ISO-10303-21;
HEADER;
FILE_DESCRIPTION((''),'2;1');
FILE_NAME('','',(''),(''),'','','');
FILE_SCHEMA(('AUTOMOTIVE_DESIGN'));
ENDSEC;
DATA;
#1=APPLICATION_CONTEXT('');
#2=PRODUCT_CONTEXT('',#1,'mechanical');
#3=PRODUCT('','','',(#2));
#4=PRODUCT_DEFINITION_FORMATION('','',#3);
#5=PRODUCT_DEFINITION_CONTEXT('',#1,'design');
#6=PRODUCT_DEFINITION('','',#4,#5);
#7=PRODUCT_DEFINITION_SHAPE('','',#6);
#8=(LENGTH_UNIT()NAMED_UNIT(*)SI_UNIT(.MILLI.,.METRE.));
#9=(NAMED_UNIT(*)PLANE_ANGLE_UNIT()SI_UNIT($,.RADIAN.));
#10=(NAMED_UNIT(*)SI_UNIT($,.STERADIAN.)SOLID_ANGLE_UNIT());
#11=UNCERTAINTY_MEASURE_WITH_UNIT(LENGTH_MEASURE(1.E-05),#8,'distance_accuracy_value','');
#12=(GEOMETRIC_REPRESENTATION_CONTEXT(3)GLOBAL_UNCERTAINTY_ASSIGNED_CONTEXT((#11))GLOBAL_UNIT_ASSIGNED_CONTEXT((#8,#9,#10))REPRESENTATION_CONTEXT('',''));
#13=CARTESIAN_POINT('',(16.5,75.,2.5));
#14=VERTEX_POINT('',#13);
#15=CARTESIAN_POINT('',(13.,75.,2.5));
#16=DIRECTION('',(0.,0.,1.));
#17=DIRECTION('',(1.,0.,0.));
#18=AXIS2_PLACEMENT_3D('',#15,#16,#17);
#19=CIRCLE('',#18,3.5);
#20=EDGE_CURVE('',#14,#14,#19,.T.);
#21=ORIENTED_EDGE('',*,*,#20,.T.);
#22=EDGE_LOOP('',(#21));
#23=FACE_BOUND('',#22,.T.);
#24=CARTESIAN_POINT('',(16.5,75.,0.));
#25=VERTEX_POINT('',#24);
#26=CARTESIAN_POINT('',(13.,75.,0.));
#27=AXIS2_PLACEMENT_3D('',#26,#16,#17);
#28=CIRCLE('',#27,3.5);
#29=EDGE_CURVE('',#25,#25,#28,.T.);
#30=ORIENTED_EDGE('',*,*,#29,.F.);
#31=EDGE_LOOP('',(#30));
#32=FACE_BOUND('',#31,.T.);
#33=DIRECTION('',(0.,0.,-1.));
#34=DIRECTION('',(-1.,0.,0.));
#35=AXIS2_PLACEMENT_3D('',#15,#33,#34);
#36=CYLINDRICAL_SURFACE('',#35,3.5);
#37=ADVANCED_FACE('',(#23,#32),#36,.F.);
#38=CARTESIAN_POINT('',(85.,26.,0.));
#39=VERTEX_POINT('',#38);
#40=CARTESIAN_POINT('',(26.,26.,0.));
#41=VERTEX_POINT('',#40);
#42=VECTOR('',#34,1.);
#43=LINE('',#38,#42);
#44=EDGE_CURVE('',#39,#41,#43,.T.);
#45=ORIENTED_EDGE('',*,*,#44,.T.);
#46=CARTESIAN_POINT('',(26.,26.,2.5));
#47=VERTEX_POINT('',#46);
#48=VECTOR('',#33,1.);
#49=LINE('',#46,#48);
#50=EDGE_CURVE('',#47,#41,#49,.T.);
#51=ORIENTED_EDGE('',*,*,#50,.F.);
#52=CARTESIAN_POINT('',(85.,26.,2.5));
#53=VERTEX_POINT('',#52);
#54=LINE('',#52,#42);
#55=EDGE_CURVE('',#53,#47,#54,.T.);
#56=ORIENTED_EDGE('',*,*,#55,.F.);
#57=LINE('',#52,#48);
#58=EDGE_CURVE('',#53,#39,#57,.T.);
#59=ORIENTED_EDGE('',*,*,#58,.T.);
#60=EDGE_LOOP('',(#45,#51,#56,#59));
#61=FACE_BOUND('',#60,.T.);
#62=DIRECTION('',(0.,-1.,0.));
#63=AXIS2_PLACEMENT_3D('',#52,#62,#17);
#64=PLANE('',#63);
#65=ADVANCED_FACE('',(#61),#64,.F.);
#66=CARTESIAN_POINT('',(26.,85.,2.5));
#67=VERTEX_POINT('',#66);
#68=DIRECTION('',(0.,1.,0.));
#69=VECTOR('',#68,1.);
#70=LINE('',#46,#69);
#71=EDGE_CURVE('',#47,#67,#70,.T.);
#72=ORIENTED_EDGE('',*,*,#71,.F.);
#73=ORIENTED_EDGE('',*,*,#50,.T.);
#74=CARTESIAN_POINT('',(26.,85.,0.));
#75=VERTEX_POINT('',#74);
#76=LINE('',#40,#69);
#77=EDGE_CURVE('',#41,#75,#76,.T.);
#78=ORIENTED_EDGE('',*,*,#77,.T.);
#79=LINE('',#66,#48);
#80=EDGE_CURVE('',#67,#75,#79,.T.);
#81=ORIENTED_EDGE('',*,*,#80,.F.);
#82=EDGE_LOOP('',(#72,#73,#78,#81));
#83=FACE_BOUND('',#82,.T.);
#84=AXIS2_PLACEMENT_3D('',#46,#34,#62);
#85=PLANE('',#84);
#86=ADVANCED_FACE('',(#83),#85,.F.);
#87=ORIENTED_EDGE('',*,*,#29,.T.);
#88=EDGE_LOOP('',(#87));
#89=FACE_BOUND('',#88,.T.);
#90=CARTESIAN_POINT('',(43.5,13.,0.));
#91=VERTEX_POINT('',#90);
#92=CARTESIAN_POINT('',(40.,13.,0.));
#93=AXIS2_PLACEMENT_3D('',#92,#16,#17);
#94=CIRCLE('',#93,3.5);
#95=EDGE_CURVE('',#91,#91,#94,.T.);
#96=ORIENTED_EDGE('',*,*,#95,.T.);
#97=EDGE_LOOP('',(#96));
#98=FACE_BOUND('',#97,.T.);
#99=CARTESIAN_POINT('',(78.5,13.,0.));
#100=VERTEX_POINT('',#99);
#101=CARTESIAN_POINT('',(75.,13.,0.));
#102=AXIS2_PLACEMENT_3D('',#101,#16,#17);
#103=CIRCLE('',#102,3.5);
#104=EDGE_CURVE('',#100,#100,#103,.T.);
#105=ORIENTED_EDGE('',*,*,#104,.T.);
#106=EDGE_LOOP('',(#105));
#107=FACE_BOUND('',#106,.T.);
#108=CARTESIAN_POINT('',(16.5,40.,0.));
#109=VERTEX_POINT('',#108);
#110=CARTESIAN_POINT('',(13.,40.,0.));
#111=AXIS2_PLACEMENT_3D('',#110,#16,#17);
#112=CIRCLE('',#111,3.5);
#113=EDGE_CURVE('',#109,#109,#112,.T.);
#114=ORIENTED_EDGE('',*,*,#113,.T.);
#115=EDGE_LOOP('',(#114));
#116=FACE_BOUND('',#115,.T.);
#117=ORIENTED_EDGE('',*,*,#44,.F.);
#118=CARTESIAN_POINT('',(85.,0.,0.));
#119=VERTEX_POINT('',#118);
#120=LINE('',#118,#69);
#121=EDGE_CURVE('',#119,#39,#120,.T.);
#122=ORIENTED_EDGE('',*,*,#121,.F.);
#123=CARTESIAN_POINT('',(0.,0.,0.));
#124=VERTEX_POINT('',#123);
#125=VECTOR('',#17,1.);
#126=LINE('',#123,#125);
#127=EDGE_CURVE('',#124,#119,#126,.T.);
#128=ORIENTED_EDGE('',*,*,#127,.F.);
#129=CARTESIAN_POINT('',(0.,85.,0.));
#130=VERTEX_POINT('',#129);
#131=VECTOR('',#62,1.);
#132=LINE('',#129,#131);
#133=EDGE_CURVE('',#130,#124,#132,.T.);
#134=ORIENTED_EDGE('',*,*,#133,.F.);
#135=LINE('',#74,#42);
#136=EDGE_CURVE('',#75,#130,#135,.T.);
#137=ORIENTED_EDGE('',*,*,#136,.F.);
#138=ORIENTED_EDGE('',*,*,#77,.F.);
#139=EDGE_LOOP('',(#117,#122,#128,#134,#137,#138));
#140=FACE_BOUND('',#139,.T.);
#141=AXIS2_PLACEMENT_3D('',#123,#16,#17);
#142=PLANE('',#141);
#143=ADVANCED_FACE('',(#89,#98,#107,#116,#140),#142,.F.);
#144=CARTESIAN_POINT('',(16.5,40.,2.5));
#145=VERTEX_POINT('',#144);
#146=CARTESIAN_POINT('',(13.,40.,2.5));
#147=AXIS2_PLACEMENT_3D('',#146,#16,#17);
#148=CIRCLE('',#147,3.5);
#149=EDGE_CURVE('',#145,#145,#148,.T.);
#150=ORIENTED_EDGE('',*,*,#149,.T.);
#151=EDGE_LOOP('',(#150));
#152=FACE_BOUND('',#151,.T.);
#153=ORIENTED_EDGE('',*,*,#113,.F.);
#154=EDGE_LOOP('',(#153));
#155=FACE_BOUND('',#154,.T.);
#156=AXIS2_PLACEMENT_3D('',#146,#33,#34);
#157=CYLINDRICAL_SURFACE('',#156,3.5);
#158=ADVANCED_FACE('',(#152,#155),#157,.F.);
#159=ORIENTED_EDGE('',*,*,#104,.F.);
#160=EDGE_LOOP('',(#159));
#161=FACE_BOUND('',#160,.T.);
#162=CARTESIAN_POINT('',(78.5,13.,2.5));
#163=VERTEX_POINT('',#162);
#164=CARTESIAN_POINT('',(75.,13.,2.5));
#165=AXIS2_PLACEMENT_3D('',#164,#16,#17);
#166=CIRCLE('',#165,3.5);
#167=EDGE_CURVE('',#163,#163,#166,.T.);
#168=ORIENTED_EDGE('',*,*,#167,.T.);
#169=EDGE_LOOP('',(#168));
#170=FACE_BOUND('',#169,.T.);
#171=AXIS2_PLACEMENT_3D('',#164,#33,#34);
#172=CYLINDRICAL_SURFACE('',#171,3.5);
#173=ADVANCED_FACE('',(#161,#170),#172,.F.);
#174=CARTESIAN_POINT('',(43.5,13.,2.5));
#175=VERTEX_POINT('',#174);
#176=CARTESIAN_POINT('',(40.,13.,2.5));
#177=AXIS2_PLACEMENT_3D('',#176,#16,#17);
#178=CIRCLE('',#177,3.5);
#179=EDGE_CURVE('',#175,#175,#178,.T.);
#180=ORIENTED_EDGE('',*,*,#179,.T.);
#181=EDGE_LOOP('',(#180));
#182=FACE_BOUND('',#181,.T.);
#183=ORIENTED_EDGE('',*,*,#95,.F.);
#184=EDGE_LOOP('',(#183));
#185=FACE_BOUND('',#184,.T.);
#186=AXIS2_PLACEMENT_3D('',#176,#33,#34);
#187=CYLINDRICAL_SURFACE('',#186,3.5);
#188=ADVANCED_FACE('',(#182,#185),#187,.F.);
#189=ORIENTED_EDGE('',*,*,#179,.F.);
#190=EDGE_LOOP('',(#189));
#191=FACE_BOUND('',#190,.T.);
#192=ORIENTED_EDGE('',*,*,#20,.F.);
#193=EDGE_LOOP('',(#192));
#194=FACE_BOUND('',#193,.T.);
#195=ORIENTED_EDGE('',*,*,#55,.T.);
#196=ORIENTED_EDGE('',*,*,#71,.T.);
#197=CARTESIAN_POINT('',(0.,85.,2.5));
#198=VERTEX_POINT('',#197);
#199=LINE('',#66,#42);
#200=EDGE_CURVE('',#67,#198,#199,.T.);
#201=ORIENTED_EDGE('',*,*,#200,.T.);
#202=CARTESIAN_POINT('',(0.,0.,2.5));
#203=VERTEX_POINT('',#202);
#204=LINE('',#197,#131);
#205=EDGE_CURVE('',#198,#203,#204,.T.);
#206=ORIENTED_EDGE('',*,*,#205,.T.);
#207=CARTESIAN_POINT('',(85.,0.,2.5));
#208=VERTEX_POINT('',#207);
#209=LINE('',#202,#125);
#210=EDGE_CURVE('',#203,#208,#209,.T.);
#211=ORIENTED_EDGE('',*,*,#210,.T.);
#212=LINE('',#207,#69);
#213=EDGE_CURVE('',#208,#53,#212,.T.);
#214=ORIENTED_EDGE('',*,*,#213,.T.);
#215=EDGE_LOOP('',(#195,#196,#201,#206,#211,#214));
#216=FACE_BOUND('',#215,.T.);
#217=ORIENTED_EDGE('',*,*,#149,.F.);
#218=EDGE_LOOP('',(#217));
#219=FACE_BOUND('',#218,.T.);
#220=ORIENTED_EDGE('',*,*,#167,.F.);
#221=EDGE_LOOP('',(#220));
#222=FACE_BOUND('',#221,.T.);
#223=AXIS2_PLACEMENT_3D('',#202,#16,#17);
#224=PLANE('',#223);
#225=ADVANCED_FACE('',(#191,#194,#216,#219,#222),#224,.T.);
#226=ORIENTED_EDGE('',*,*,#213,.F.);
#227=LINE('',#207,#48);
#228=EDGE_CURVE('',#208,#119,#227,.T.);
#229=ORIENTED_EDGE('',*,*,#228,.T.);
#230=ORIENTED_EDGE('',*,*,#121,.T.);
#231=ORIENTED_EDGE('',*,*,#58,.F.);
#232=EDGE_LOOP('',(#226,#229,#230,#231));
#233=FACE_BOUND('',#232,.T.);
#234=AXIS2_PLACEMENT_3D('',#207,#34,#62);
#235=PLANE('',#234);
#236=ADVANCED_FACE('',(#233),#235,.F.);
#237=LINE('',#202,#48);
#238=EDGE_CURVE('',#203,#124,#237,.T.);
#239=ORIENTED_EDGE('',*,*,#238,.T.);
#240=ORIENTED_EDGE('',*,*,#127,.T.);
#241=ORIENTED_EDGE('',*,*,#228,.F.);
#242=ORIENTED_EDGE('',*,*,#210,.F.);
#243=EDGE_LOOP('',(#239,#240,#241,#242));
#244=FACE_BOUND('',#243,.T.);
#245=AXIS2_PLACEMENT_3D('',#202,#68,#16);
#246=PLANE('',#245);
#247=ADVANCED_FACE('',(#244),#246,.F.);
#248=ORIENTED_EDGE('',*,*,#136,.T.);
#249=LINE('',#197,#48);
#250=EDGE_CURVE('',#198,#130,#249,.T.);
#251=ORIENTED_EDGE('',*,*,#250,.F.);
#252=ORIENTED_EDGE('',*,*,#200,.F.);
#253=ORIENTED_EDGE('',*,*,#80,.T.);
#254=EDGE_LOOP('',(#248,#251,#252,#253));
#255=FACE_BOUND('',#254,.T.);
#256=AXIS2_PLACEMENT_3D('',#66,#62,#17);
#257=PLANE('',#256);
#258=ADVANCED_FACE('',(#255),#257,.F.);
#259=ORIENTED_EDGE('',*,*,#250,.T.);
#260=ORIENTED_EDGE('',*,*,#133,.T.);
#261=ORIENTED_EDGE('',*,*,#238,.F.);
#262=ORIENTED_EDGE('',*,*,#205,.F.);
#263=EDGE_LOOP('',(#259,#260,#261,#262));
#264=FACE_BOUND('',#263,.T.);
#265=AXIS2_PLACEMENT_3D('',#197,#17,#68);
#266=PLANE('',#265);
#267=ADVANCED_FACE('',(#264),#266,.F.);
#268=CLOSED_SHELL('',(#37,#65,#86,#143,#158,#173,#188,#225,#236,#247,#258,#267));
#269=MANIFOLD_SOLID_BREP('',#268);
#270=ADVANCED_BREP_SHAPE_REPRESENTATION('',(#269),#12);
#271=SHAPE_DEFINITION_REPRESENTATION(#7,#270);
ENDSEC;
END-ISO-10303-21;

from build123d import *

# Parameters (mm, degrees)
SKETCH_1_R      = 3.5
EXTRUDE_1_DEPTH = 2.5


with BuildPart() as part:
    # Эскиз1 → Бобышка-Вытянуть1 (new body)
    with BuildSketch(Plane.XY):
        Polygon((0, 85), (0, 0), (85, 0), (85, 26), (26, 26), (26, 85), align=None)
        with Locations((13, 75)):
            Circle(SKETCH_1_R, mode=Mode.SUBTRACT)
        with Locations((13, 40)):
            Circle(SKETCH_1_R, mode=Mode.SUBTRACT)
        with Locations((40, 13)):
            Circle(SKETCH_1_R, mode=Mode.SUBTRACT)
        with Locations((75, 13)):
            Circle(SKETCH_1_R, mode=Mode.SUBTRACT)
    extrude(amount=EXTRUDE_1_DEPTH)


solid = part.part
